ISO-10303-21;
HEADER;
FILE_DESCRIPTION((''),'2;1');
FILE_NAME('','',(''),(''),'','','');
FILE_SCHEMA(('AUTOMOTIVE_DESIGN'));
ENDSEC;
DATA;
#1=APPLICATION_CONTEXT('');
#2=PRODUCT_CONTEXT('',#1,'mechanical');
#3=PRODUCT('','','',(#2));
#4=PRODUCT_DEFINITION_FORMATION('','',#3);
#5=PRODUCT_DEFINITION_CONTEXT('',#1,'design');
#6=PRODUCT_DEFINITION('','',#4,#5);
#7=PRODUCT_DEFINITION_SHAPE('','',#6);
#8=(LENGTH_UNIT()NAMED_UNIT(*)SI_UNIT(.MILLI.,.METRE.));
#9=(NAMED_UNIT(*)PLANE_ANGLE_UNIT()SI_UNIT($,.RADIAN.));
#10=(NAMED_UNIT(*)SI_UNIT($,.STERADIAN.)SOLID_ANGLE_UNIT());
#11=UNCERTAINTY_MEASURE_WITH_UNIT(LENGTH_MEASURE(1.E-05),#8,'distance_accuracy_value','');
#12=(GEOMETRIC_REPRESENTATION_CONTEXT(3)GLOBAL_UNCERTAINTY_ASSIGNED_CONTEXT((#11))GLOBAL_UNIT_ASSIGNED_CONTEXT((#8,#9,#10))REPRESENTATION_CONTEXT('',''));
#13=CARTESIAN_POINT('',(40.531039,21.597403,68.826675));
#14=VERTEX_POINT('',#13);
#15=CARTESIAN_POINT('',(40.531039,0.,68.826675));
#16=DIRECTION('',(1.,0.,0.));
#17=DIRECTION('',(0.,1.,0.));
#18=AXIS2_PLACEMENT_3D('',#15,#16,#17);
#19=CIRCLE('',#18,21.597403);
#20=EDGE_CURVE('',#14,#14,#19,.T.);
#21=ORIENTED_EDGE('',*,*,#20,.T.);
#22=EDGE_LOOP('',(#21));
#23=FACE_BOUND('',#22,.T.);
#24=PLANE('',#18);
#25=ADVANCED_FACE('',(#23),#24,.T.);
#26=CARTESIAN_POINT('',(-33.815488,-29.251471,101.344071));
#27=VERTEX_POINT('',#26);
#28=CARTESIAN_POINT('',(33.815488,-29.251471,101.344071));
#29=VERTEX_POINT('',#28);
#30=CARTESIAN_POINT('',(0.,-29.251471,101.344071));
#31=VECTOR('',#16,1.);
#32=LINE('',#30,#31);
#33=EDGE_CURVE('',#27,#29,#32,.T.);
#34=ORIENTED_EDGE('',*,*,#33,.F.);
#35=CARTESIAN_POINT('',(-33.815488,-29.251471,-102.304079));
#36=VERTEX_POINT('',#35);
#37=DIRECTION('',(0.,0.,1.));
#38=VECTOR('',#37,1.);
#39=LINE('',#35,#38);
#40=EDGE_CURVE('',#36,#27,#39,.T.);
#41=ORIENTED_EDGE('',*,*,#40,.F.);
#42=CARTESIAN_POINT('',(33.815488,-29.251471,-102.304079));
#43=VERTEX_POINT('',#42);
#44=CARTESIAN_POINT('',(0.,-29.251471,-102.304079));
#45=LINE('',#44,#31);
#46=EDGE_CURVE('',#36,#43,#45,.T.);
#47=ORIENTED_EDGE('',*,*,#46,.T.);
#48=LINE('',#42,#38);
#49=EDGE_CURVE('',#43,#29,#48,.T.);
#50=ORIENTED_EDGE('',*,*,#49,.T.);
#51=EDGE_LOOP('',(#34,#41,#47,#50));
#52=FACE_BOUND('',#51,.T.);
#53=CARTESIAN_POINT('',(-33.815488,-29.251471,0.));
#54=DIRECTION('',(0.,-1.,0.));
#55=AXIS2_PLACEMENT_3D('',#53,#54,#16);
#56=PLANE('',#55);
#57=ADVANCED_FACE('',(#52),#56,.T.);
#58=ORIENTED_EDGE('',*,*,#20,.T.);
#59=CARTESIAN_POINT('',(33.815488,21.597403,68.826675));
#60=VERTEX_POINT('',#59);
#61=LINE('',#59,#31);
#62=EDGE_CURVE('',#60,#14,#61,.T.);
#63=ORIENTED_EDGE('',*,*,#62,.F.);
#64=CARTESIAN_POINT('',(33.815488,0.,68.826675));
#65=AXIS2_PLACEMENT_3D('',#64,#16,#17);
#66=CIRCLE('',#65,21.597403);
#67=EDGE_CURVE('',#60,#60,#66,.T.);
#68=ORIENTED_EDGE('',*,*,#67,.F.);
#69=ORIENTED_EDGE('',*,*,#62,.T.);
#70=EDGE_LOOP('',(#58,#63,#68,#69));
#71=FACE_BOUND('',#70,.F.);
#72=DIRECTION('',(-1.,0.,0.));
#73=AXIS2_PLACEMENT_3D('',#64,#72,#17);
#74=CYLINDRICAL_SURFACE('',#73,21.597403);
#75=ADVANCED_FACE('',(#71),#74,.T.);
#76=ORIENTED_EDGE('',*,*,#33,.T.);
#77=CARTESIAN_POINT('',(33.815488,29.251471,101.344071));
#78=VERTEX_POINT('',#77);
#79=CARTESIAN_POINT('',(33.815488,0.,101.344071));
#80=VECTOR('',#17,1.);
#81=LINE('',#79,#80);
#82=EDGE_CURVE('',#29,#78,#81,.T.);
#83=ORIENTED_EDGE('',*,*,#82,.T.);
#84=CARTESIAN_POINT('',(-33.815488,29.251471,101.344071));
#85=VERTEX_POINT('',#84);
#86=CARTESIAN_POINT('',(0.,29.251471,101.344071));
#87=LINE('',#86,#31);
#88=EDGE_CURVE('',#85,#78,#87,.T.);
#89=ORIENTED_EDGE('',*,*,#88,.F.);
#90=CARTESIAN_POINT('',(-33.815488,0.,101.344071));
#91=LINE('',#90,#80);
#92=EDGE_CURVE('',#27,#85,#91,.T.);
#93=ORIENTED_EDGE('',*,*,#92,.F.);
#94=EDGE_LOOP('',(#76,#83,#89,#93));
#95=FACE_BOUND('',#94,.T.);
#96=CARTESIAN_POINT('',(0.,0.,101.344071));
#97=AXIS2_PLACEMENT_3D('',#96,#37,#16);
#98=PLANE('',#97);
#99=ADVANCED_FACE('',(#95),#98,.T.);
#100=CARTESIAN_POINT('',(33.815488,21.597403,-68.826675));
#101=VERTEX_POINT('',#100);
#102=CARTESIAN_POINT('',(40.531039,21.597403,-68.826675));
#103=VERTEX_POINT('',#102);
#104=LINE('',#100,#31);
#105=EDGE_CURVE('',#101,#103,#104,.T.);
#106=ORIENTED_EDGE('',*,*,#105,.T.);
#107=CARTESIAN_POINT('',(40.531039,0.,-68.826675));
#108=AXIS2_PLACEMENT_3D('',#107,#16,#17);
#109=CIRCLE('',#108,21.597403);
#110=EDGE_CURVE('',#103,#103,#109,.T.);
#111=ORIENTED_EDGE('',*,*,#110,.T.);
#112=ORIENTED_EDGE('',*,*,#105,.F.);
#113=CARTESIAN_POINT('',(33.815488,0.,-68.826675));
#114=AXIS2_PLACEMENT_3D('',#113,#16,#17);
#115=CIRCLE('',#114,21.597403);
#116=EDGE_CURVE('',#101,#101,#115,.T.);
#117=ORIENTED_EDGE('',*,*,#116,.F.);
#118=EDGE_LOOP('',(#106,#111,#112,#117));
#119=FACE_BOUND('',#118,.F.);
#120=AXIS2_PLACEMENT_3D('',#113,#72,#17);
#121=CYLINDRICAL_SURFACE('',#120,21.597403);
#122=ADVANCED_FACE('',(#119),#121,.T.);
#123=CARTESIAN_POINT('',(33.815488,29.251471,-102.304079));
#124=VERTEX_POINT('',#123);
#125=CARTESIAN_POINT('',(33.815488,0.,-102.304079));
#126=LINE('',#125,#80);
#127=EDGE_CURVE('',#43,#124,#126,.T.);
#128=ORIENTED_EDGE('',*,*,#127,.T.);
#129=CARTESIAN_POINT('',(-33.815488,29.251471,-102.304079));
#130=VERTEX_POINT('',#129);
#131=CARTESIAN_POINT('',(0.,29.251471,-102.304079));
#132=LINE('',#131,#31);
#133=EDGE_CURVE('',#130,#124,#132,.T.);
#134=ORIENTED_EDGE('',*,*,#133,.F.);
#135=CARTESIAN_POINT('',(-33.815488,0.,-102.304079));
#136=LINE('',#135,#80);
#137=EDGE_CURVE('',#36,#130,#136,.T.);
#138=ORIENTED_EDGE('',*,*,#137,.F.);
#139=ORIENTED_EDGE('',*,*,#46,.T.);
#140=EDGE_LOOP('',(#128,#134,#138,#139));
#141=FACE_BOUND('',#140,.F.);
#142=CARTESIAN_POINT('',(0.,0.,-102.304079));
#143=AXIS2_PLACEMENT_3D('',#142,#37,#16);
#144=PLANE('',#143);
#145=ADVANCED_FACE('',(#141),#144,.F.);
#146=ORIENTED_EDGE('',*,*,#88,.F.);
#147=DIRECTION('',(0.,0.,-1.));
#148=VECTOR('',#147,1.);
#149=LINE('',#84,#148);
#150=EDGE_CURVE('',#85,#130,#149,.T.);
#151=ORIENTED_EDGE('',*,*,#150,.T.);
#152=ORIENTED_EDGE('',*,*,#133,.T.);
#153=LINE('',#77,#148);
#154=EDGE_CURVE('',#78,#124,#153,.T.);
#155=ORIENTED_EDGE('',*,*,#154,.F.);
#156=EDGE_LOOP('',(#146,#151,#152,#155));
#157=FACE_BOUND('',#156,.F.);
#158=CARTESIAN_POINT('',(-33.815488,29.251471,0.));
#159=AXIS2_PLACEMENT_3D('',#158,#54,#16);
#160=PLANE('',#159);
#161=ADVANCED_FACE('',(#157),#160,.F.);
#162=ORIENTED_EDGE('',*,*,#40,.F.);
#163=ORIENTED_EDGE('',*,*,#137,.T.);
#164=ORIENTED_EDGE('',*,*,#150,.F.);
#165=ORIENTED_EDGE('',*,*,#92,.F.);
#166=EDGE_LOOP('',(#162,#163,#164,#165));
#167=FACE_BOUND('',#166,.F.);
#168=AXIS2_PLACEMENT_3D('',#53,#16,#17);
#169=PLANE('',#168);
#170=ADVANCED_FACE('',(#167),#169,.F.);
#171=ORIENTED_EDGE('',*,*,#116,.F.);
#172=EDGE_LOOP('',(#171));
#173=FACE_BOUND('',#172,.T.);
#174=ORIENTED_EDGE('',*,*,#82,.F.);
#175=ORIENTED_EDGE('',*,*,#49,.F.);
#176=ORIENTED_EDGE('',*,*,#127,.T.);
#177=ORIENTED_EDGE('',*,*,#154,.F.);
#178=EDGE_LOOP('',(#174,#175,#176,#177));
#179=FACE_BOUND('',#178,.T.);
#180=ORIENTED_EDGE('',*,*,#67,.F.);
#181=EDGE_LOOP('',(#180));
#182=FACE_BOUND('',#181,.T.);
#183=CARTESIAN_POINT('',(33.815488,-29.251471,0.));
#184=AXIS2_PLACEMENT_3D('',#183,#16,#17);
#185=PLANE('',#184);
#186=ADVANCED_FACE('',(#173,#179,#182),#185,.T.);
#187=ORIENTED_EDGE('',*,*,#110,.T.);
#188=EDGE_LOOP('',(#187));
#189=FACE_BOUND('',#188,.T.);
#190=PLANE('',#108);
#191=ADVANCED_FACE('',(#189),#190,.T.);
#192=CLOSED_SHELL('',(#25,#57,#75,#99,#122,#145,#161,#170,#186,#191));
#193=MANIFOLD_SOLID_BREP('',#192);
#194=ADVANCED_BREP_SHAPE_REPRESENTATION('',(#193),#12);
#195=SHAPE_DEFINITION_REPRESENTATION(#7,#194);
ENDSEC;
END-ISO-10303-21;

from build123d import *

# Parameters (mm, degrees)
F0_W          = 67.630976
F0_H          = 58.502942
F1_DEPTH      = 101.344071
F1_DEPTH_BACK = 102.304079
F2_R          = 21.597403
F3_DEPTH      = 6.715551


with BuildPart() as f1:
    # F0 (on Top) → F1 (new body, two sides)
    with BuildSketch(Plane.XY) as f1_sk:
        Rectangle(F0_W, F0_H)
    extrude(amount=F1_DEPTH)
    extrude(f1_sk.sketch, amount=-F1_DEPTH_BACK)

    # F2 (on face) → F3 (join)
    with BuildSketch(Plane.YZ.offset(33.815488)):
        with Locations((0, 68.826675)):
            Circle(F2_R)
        with Locations((0, -68.826675)):
            Circle(F2_R)
    extrude(amount=F3_DEPTH)


solid = f1.part
